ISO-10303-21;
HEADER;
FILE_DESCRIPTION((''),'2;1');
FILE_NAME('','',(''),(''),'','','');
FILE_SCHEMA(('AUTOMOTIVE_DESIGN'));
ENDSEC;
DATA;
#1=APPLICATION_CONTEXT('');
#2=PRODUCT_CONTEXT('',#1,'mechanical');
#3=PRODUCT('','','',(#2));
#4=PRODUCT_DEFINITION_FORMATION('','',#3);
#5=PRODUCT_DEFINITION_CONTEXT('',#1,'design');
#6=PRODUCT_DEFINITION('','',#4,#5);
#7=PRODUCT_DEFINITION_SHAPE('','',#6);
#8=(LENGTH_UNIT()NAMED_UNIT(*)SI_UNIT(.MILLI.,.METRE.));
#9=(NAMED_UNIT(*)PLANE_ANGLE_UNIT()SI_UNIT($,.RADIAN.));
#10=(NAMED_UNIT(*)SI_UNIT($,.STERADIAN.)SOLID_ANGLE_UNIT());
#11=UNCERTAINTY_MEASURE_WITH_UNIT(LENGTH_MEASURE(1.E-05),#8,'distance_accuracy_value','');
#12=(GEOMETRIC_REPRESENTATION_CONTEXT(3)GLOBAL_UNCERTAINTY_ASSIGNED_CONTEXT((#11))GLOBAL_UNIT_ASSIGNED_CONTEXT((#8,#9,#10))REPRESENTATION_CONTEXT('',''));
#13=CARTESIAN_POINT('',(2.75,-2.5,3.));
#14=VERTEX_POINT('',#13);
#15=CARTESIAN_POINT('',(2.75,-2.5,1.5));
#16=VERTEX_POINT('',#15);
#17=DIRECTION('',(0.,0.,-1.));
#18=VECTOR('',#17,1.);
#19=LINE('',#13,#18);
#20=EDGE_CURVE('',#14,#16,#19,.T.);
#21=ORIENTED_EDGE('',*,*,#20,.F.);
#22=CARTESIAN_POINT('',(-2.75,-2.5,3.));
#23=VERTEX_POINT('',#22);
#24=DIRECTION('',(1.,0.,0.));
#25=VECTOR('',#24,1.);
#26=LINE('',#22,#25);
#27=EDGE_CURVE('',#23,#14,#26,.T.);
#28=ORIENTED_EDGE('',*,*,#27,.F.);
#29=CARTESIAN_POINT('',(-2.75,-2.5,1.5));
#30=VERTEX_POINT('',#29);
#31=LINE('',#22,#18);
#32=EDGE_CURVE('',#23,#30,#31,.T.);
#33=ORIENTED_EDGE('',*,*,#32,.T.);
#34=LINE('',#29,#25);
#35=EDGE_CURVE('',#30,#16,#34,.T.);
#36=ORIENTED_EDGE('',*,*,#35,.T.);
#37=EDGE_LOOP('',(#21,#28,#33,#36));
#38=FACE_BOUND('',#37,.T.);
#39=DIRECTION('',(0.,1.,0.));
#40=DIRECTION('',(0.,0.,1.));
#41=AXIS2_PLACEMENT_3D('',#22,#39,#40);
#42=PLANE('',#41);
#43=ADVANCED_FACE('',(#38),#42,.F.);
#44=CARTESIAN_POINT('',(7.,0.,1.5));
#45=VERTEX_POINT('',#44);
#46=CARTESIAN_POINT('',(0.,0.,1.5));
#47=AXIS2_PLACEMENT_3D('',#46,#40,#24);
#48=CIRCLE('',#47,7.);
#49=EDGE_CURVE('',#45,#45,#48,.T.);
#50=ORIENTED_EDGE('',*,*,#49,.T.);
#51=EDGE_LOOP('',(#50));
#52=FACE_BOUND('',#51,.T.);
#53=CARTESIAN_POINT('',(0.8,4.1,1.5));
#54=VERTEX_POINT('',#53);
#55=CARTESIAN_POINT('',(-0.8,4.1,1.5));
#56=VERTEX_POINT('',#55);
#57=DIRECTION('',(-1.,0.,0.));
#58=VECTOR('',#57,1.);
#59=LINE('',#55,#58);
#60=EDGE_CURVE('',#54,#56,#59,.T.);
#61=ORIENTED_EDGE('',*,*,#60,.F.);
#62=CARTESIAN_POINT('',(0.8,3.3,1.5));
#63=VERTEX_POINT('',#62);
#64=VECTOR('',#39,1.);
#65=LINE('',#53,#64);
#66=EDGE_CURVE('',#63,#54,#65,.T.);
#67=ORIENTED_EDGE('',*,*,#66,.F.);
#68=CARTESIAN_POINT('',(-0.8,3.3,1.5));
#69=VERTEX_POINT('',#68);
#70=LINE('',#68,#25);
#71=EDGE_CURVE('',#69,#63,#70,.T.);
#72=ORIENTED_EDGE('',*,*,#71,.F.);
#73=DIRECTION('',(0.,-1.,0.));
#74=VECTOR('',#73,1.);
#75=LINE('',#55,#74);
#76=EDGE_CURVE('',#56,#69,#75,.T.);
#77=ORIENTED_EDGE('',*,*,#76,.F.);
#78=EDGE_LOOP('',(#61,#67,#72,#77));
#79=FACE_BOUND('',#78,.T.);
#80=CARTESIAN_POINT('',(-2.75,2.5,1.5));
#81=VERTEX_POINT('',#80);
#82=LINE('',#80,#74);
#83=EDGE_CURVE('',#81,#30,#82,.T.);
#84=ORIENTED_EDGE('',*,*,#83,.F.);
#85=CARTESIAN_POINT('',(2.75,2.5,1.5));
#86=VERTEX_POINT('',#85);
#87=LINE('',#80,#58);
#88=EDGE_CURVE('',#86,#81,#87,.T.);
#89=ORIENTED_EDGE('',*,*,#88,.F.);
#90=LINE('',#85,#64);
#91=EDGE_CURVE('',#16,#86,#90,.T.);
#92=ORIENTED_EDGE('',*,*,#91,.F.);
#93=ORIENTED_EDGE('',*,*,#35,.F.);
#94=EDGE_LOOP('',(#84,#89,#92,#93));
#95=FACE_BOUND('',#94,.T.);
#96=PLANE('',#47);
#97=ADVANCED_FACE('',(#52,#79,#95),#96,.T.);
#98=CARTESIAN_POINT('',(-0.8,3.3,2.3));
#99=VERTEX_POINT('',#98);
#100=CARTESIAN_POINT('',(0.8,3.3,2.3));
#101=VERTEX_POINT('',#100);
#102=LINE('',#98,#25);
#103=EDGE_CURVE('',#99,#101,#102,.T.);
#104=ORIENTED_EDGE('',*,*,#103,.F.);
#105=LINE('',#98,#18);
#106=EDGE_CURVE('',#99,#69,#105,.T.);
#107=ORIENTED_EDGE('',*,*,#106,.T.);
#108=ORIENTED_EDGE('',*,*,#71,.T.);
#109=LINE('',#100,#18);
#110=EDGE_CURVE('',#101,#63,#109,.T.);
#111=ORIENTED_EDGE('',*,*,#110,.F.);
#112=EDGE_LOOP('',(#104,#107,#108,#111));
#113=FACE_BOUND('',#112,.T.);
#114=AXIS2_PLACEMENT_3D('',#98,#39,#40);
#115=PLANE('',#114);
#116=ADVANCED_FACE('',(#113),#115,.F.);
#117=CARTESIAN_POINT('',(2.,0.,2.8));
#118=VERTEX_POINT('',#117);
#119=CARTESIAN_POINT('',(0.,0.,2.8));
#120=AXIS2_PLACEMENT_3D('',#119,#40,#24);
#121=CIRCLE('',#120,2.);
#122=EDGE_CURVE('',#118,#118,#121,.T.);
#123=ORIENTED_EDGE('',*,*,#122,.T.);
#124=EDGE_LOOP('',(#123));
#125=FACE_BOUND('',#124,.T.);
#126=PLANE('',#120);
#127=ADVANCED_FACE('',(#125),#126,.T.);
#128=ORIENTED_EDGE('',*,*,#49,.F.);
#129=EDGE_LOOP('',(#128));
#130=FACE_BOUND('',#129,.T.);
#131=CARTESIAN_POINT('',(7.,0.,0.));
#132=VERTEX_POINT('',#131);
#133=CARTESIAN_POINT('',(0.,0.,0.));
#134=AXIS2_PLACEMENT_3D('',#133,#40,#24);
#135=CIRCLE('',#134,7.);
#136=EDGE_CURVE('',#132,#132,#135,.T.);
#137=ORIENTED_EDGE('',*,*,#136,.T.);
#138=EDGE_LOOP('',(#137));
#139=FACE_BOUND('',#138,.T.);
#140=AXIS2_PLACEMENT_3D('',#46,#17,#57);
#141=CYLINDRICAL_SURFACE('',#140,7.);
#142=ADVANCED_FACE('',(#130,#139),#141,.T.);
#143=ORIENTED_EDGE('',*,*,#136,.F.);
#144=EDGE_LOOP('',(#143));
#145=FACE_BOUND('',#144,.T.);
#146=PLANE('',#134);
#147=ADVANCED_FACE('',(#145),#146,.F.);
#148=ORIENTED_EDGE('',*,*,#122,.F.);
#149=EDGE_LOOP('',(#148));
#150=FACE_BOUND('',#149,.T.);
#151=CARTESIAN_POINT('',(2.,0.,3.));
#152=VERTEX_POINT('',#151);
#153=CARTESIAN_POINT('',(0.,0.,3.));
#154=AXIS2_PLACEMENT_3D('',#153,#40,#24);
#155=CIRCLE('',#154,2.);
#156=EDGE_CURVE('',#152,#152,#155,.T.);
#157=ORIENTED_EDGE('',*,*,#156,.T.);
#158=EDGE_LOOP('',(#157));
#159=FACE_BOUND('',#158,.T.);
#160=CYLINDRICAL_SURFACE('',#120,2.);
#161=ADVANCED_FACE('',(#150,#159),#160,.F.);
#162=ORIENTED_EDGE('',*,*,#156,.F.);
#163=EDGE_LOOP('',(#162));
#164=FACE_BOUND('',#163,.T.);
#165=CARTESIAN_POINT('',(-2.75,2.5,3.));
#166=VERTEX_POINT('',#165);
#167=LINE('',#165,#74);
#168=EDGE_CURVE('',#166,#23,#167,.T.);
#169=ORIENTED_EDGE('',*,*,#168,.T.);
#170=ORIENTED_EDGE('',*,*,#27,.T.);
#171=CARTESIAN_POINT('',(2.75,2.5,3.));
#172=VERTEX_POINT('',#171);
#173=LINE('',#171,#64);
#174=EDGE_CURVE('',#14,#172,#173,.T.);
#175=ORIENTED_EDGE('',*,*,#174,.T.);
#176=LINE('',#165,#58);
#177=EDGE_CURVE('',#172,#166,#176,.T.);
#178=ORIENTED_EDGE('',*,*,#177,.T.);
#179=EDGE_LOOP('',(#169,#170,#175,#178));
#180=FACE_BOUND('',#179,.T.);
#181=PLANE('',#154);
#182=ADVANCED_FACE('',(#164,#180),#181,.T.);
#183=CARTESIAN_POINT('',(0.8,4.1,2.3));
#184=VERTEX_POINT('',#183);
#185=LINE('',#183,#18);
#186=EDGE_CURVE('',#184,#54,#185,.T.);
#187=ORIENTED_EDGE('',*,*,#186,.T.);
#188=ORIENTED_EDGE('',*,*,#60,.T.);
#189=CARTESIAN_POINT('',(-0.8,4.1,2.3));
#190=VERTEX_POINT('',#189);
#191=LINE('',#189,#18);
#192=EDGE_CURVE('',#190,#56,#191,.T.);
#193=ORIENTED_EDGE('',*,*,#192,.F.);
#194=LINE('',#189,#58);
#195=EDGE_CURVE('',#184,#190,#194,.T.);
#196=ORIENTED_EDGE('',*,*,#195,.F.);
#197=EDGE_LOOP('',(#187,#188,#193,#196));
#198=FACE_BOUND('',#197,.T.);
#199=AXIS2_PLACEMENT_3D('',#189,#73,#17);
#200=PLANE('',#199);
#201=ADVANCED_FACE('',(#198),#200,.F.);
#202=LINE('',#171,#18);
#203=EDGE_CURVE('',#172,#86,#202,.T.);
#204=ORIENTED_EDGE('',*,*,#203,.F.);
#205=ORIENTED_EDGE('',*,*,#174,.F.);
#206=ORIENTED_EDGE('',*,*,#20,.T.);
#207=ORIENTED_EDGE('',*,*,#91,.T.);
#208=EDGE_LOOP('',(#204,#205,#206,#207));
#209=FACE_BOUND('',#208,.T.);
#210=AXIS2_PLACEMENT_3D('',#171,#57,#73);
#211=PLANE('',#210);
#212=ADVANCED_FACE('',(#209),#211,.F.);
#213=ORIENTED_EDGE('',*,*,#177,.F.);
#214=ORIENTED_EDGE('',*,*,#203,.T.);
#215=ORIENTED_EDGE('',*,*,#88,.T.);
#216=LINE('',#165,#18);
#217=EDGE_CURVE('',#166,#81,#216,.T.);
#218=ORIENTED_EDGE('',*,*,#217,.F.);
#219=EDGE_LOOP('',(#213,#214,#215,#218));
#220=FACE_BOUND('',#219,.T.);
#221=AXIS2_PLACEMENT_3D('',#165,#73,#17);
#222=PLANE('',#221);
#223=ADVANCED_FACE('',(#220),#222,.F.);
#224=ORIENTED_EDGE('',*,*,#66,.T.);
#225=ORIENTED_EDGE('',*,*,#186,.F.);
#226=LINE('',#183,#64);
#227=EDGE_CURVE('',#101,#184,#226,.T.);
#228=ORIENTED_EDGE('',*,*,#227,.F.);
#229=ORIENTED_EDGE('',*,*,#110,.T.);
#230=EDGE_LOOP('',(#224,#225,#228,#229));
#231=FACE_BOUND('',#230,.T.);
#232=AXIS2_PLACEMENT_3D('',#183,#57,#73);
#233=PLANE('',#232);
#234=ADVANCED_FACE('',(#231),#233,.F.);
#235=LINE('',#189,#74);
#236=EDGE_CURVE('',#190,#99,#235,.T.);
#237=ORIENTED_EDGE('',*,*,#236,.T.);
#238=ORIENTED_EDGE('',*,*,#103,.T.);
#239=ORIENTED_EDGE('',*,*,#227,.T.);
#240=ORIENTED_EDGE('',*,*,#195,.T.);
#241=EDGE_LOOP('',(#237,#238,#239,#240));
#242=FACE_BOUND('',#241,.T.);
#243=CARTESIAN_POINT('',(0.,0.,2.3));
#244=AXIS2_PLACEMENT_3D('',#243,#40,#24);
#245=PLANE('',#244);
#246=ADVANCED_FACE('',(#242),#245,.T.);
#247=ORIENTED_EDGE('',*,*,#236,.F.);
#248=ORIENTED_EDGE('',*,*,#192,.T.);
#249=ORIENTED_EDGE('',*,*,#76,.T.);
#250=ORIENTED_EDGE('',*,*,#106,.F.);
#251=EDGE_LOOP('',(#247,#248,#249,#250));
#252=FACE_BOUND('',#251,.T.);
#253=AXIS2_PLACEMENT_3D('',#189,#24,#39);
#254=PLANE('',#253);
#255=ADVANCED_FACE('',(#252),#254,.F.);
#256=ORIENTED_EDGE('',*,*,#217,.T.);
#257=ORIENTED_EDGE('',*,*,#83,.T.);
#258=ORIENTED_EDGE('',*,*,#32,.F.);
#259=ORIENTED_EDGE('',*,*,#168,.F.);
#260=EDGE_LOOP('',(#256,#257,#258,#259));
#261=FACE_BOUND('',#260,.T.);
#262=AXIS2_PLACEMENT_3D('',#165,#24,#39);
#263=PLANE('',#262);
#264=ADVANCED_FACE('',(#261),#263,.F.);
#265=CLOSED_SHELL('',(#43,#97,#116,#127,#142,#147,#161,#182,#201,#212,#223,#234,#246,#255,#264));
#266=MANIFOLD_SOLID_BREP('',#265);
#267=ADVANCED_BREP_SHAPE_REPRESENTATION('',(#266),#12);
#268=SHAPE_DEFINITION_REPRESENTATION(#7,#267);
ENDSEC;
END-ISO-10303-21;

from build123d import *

# Parameters (mm, degrees)
SKETCH1_R           = 7
BOSS_EXTRUDE1_DEPTH = 1.5
SKETCH2_W           = 5.5
SKETCH2_H           = 5
BOSS_EXTRUDE2_DEPTH = 1.5
SKETCH3_R           = 2
CUT_EXTRUDE1_DEPTH  = 0.2
SKETCH4_W           = 1.6
SKETCH4_H           = 0.8
BOSS_EXTRUDE3_DEPTH = 0.8


with BuildPart() as part:
    # Sketch1 → Boss-Extrude1 (new body)
    with BuildSketch(Plane.XY):
        Circle(SKETCH1_R)
    extrude(amount=BOSS_EXTRUDE1_DEPTH)

    # Sketch2 → Boss-Extrude2 (add)
    with BuildSketch(Plane.XY.offset(1.5)):
        Rectangle(SKETCH2_W, SKETCH2_H)
    extrude(amount=BOSS_EXTRUDE2_DEPTH)

    # Sketch3 → Cut-Extrude1 (cut)
    with BuildSketch(Plane.XY.offset(3)):
        Circle(SKETCH3_R)
    extrude(amount=-CUT_EXTRUDE1_DEPTH, mode=Mode.SUBTRACT)

    # Sketch4 → Boss-Extrude3 (add)
    with BuildSketch(Plane.XY.offset(1.5)):
        with Locations((0, 3.7)):
            Rectangle(SKETCH4_W, SKETCH4_H)
    extrude(amount=BOSS_EXTRUDE3_DEPTH)


solid = part.part
